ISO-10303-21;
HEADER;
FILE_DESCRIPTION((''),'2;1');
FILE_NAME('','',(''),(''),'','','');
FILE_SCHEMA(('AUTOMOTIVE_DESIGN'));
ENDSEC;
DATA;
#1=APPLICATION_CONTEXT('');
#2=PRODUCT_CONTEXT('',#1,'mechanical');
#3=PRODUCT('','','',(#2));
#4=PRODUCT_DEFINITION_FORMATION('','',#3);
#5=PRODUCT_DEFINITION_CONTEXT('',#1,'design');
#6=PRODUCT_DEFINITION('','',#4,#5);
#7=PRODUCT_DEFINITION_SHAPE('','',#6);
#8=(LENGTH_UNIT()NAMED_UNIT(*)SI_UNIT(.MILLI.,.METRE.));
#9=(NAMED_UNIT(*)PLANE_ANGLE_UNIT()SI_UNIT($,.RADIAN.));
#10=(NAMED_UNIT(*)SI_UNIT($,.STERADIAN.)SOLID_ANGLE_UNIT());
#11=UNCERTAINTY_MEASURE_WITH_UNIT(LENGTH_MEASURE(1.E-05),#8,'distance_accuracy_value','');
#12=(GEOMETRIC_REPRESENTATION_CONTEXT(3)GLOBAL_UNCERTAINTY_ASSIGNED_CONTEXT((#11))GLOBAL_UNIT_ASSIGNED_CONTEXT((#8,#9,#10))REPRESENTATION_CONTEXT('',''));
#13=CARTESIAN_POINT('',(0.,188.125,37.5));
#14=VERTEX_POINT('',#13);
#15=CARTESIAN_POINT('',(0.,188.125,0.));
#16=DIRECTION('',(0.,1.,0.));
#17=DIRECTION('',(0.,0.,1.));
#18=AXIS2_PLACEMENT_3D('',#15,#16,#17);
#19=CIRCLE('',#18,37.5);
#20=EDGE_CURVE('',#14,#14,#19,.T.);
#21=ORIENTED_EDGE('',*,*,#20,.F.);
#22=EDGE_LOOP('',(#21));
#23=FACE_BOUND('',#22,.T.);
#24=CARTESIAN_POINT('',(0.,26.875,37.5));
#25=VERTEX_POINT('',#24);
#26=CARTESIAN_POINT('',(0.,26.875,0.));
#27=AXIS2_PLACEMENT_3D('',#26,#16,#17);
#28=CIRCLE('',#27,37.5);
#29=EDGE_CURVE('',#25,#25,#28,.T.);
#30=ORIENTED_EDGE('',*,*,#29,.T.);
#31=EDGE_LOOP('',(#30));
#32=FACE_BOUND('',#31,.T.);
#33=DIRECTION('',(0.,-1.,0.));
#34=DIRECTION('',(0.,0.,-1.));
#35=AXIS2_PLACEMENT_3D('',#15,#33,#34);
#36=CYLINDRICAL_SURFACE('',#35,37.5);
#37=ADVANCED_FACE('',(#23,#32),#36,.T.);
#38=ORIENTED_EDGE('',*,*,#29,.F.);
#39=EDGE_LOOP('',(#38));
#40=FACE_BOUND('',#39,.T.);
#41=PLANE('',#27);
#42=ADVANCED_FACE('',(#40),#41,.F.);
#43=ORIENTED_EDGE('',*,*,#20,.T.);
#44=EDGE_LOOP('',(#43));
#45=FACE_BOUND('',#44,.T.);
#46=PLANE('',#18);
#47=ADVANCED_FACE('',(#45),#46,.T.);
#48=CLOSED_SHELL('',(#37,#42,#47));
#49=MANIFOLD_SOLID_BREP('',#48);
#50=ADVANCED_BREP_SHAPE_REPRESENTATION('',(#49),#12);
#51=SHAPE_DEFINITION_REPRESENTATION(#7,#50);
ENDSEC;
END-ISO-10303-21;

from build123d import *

# Parameters (mm, degrees)
SKETCH1_R           = 50
BOSS_EXTRUDE1_DEPTH = 215
SCALE1_SCALE        = 0.75


with BuildPart() as part:
    # Sketch1 → Boss-Extrude1 (new body)
    with BuildSketch(Plane(origin=(0, 0, 0), x_dir=(1, 0, 0), z_dir=(0, 1, 0))):
        with Locations(Location((0, 0, 0), (0, 0, 270))):
            Circle(SKETCH1_R)
    extrude(amount=BOSS_EXTRUDE1_DEPTH)


with BuildPart() as part_1:
    # Scale1: scaled about (0, 107.5, 0)
    add(part.part.scale(SCALE1_SCALE).moved(Location((0, 26.875, 0))))


solid = part_1.part
